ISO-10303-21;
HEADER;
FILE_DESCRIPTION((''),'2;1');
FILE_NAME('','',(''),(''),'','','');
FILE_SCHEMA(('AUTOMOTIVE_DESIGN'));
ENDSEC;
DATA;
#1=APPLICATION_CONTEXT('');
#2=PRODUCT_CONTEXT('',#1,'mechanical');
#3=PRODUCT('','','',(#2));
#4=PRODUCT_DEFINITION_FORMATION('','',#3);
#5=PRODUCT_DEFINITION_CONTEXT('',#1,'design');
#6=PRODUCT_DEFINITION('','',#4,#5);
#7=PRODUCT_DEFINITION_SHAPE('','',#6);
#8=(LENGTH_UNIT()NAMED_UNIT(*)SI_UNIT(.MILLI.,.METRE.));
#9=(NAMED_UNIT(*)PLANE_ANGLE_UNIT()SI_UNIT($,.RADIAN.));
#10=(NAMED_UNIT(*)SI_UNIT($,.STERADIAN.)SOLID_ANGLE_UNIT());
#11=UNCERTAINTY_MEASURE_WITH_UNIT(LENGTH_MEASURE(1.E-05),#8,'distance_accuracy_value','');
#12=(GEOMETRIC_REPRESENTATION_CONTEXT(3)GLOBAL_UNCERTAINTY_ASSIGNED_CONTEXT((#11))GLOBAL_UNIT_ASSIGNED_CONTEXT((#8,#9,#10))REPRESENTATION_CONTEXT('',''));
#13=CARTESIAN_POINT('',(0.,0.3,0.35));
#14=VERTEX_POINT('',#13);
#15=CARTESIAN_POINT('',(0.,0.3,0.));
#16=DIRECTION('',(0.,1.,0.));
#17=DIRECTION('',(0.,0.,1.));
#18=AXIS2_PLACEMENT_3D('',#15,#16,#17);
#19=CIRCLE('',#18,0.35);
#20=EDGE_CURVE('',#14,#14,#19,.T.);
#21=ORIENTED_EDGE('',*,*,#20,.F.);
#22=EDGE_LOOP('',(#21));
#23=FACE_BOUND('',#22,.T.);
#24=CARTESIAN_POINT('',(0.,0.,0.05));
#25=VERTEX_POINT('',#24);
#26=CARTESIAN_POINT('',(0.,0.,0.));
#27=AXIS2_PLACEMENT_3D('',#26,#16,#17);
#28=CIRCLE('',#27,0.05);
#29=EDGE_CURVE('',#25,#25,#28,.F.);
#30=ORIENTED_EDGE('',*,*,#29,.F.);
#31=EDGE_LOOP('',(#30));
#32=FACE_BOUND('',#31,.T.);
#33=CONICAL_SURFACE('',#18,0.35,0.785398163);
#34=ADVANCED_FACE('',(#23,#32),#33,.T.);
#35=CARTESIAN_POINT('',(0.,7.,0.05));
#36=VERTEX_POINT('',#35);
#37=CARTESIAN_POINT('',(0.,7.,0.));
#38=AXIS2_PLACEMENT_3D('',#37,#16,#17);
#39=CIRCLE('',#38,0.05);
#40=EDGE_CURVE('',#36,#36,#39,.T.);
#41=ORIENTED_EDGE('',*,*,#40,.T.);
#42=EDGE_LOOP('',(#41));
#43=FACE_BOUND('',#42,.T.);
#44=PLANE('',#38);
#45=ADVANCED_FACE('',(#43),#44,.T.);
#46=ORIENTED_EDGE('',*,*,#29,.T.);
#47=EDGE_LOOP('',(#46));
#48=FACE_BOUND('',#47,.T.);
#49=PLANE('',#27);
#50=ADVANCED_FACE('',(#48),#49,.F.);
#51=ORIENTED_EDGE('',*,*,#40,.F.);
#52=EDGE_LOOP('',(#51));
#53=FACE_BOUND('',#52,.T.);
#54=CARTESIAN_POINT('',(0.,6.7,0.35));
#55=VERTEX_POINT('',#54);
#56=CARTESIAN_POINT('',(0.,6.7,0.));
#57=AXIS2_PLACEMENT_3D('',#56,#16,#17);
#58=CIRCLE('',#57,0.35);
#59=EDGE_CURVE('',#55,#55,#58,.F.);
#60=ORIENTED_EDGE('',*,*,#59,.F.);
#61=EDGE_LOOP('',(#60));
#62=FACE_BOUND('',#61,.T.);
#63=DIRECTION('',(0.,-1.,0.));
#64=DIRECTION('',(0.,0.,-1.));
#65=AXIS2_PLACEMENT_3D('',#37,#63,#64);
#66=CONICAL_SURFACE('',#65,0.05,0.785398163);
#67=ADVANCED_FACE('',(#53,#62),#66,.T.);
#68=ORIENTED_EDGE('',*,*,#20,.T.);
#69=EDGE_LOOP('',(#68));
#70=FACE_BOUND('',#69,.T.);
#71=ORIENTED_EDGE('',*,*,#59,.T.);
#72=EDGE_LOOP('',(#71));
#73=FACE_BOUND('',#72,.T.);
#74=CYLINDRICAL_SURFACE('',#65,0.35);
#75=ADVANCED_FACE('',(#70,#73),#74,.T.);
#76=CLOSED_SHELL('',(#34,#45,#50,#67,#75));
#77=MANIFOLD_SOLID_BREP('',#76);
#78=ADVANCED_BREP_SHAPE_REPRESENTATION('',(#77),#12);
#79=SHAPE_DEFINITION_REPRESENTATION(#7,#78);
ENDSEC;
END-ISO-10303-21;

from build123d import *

# Parameters (mm, degrees)
SKETCH_1_R      = 0.35
EXTRUDE_1_DEPTH = 7
CHAMFER_1_SIZE  = 0.3


with BuildPart() as part:
    # Эскиз1 → Бобышка-Вытянуть1 (new body)
    with BuildSketch(Plane(origin=(0, 0, 0), x_dir=(1, 0, 0), z_dir=(0, 1, 0))):
        Circle(SKETCH_1_R)
    extrude(amount=EXTRUDE_1_DEPTH)

    # Фаска1
    chamfer_1_edges = [part.edges().sort_by_distance(p)[0] for p in [
        (-0.35, 0, 0),
        (-0.35, 7, 0),
    ]]
    chamfer(chamfer_1_edges, length=CHAMFER_1_SIZE)


solid = part.part
